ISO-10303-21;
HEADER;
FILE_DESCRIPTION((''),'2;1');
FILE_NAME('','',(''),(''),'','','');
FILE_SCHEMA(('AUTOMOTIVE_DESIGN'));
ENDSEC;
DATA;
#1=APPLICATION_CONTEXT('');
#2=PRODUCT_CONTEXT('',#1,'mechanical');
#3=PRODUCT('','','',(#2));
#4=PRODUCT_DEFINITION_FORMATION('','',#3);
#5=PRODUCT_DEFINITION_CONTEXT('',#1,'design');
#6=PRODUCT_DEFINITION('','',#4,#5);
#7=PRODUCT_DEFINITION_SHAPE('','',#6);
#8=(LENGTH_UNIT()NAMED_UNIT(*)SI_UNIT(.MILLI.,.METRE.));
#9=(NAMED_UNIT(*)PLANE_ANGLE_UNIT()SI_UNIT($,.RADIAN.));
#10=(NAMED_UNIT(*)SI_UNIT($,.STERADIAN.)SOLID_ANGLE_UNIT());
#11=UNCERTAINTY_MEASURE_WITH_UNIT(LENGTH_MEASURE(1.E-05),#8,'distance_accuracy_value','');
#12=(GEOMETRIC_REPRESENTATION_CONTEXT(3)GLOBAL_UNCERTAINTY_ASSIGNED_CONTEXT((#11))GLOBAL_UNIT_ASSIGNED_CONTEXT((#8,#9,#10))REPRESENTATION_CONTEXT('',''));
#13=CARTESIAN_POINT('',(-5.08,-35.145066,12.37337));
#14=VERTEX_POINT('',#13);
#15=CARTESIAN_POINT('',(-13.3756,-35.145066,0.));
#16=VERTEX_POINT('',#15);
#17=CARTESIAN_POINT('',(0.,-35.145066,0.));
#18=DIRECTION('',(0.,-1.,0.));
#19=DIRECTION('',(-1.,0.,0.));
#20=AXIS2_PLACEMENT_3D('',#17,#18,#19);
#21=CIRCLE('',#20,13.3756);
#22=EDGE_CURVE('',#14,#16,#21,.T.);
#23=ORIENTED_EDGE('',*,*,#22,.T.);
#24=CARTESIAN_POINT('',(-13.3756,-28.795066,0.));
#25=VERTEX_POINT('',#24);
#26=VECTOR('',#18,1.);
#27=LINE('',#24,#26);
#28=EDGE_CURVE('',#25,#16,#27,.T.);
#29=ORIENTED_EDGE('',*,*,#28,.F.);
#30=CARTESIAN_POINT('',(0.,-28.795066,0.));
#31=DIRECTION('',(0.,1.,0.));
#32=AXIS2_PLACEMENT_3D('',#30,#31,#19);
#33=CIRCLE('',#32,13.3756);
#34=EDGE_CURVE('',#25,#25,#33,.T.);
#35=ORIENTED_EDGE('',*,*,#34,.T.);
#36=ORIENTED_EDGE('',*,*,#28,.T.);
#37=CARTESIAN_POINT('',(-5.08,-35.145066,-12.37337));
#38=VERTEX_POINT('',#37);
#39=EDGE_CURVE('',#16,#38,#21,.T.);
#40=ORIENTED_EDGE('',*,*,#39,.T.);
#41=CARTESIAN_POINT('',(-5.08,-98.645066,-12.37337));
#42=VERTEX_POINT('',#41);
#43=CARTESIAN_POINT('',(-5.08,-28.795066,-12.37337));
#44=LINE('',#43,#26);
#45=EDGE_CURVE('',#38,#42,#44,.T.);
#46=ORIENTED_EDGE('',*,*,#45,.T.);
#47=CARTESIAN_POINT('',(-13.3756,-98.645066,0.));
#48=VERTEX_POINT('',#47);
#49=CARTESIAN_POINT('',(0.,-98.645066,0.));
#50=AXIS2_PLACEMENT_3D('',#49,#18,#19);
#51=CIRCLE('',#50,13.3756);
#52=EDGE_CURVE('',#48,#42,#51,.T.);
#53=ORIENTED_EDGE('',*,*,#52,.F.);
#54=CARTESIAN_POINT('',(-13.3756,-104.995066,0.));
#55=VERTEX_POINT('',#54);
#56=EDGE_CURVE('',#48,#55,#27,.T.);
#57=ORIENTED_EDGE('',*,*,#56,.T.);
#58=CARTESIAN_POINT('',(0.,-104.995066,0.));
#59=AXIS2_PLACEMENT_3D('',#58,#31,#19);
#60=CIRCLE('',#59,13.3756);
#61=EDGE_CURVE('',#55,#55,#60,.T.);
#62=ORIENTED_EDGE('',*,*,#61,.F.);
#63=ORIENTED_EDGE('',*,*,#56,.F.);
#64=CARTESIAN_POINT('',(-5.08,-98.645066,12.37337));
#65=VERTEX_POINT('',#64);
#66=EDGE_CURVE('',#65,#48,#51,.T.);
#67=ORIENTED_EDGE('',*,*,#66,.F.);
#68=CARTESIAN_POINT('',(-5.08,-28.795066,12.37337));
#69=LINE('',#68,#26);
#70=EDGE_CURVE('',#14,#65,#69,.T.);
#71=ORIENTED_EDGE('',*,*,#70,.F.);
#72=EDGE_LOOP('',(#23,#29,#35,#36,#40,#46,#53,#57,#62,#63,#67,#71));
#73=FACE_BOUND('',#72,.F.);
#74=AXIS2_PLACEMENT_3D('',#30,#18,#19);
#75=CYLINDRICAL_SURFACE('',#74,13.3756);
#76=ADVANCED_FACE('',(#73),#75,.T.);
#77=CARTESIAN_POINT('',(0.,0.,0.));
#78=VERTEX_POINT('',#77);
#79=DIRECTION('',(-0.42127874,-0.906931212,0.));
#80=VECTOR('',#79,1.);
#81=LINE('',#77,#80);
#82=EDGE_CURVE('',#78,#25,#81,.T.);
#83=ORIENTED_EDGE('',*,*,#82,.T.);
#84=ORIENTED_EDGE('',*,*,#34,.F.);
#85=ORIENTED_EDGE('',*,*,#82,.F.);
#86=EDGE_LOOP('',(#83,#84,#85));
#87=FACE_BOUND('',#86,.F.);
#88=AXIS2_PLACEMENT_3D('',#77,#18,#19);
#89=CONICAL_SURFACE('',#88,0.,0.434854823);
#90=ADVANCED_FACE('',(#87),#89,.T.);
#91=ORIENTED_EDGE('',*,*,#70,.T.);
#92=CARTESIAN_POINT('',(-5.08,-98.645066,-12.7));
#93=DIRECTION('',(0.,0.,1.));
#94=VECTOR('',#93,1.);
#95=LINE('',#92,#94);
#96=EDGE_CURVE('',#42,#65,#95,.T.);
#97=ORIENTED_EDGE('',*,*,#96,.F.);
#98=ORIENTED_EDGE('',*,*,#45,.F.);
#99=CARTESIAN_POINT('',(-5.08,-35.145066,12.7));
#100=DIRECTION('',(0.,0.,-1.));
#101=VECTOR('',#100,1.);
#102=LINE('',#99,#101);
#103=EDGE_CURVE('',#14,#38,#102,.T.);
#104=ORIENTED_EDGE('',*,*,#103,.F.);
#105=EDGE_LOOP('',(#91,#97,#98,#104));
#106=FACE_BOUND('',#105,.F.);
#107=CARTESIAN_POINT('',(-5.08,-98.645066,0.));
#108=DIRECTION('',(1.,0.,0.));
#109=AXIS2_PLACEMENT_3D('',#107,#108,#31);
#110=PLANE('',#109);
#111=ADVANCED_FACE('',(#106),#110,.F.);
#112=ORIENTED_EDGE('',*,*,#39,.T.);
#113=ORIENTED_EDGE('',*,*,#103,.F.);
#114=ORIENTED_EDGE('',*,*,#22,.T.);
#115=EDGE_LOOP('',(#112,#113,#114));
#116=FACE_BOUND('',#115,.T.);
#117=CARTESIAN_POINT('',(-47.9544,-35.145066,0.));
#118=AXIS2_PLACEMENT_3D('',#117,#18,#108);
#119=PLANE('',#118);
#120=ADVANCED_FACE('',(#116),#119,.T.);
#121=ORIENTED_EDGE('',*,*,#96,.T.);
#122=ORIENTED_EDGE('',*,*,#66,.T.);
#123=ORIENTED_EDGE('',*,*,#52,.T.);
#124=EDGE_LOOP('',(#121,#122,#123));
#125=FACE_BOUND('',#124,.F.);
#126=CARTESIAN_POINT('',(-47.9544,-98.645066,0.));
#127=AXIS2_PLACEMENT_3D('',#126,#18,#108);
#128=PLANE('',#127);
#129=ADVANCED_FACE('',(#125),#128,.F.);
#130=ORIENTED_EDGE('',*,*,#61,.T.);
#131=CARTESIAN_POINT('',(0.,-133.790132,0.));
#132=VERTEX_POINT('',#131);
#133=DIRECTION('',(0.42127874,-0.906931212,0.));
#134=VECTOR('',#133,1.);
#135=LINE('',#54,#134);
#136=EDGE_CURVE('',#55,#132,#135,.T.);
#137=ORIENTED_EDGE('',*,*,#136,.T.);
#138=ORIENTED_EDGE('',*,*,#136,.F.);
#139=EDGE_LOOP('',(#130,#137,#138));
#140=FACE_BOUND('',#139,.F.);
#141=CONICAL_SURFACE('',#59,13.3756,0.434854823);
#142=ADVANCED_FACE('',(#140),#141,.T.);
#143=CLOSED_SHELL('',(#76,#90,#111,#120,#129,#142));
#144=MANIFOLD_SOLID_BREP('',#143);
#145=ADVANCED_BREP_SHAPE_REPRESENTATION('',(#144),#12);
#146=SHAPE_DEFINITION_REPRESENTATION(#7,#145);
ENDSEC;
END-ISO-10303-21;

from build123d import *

# Parameters (mm, degrees)
F2_W     = 42.8744
F2_H     = 63.5
F3_DEPTH = 12.7


with BuildPart() as f1:
    # F0 (on Top) → F1 (revolve)
    with BuildSketch(Plane.XY):
        Polygon((-13.3756, -104.995066), (0, -133.790132), (0, 0), (-13.3756, -28.795066), align=None)
    revolve(axis=Axis((0, -66.895066, 0), (0, 1, 0)))

    # F2 (on Top) → F3 (cut, symmetric)
    with BuildSketch(Plane.XY):
        with Locations((-26.5172, -66.895066)):
            Rectangle(F2_W, F2_H)
    extrude(amount=F3_DEPTH, both=True, mode=Mode.SUBTRACT)


solid = f1.part
